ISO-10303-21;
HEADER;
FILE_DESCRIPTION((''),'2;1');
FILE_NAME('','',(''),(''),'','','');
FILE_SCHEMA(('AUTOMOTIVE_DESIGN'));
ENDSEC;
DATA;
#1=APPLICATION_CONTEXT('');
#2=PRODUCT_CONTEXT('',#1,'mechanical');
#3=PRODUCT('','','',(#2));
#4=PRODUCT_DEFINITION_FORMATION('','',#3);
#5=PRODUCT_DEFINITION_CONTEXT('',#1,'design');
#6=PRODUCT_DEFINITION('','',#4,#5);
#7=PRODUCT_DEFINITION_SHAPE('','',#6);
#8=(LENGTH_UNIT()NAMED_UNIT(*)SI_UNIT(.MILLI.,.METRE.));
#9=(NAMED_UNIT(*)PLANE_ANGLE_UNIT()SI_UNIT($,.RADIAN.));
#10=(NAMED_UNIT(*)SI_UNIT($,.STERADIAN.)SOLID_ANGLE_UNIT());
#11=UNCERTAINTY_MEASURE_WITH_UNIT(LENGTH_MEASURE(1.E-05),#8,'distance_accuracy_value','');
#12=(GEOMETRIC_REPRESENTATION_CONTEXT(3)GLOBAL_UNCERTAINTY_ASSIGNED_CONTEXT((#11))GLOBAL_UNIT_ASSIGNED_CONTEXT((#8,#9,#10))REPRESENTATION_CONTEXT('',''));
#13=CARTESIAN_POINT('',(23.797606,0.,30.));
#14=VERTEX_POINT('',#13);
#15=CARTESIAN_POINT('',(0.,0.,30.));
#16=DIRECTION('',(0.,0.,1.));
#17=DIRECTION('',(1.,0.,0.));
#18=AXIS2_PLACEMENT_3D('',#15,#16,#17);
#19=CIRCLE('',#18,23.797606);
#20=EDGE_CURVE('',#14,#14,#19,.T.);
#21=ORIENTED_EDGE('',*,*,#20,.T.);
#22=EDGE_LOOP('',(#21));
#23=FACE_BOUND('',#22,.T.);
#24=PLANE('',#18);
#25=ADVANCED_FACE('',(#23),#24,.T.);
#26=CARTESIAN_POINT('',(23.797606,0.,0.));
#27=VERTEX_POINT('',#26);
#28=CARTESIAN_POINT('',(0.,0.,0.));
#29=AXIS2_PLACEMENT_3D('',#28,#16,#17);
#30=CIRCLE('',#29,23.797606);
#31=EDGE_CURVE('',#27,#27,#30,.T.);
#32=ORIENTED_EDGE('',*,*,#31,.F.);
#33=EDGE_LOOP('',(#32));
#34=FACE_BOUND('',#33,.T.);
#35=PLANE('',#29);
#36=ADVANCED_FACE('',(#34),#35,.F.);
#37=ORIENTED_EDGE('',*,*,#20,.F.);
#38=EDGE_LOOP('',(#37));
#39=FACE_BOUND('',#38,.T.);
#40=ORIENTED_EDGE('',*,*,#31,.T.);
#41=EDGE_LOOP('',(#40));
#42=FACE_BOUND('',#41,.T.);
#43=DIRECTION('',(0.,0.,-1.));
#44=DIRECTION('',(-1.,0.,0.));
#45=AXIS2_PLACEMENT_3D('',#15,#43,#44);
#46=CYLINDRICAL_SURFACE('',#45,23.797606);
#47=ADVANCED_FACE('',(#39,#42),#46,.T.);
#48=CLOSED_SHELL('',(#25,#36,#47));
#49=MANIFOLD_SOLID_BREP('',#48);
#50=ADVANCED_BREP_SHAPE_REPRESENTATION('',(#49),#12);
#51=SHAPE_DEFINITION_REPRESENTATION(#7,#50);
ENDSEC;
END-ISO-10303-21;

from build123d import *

# Parameters (mm, degrees)
SKETCH_1_R      = 23.797606223
EXTRUDE_1_DEPTH = 30


with BuildPart() as part:
    # Эскиз1 → Бобышка-Вытянуть1 (new body)
    with BuildSketch(Plane.XY):
        Circle(SKETCH_1_R)
    extrude(amount=EXTRUDE_1_DEPTH)


solid = part.part
